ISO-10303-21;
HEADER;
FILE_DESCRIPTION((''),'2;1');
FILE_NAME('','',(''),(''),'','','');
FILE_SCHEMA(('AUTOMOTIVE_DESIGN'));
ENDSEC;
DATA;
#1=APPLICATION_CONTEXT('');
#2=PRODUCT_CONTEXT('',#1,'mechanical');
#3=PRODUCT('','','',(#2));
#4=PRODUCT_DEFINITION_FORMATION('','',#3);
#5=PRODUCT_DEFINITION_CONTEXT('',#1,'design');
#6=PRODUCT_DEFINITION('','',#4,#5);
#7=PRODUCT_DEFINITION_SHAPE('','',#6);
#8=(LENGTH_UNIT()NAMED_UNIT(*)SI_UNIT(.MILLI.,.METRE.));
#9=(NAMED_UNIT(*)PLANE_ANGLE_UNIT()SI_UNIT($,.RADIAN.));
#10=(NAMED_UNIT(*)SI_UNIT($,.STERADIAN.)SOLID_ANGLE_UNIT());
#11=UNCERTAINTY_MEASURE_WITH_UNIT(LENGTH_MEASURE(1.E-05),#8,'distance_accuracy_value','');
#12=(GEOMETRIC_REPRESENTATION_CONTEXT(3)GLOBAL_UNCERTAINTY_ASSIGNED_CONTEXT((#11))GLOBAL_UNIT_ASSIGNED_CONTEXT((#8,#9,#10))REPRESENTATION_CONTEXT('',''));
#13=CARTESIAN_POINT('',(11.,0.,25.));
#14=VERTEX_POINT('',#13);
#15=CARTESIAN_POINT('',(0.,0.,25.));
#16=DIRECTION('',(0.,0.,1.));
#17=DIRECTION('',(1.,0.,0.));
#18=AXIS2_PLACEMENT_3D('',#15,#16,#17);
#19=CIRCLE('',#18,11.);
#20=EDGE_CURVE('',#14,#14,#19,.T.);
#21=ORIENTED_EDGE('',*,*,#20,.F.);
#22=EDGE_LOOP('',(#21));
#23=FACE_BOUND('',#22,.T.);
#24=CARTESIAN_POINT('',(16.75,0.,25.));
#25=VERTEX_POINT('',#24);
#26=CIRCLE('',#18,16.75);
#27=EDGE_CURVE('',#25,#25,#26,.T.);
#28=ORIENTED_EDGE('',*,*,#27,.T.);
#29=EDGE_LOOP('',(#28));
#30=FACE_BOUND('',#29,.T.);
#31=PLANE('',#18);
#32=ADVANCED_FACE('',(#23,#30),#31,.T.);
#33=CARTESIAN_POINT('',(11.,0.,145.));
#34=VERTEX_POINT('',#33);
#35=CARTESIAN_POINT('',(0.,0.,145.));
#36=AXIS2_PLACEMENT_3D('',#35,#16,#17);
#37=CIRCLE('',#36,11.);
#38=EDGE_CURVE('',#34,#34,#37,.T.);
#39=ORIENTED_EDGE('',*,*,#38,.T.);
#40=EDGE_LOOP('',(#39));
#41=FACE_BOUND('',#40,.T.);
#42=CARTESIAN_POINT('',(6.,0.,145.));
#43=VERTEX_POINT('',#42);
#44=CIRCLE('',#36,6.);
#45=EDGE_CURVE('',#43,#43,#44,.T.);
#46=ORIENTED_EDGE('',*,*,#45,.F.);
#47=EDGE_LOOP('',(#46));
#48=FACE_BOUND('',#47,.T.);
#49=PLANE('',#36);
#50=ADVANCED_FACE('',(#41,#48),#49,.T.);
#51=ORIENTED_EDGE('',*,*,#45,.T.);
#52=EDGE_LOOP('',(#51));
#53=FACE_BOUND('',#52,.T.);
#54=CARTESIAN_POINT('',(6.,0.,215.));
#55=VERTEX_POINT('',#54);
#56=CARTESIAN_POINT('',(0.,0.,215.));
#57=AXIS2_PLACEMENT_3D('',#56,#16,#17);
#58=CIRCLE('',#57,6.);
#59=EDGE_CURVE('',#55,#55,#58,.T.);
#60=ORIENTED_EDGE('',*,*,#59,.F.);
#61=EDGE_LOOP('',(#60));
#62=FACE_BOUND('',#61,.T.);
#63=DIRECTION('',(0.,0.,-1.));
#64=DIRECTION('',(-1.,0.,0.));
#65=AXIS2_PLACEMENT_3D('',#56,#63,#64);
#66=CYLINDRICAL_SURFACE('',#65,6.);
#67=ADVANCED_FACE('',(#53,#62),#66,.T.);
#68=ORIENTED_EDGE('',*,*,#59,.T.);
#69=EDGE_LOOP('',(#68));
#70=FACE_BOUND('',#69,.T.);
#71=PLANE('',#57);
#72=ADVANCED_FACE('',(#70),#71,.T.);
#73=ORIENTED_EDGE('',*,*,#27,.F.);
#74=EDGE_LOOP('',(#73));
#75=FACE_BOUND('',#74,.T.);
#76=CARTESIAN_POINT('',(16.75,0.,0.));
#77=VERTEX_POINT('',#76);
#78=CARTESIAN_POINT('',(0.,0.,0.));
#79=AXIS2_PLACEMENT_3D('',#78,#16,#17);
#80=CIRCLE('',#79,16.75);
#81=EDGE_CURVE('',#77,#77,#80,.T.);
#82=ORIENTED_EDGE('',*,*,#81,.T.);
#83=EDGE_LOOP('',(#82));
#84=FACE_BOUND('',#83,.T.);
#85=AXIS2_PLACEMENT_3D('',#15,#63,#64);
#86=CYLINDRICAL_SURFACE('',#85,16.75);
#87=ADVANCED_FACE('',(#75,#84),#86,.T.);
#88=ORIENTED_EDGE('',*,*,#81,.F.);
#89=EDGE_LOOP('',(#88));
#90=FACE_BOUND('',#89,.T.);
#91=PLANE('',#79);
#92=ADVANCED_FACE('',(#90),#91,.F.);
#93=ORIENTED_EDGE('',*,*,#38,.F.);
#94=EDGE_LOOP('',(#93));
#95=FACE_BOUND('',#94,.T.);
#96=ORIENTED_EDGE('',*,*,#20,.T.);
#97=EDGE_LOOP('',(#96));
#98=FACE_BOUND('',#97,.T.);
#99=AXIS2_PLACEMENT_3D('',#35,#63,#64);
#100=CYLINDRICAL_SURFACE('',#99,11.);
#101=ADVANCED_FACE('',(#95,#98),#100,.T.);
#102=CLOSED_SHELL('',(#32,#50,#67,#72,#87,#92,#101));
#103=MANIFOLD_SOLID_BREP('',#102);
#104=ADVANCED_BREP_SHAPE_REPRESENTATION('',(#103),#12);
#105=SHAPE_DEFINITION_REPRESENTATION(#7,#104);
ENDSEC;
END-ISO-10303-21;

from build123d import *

# Parameters (mm, degrees)
CROQUIS1_R              = 16.75
SALIENTE_EXTRUIR1_DEPTH = 25
CROQUIS2_R              = 11
SALIENTE_EXTRUIR3_DEPTH = 120
CROQUIS3_R              = 6
SALIENTE_EXTRUIR4_DEPTH = 70


with BuildPart() as part:
    # Croquis1 → Saliente-Extruir1 (new body)
    with BuildSketch(Plane.XY):
        Circle(CROQUIS1_R)
    extrude(amount=SALIENTE_EXTRUIR1_DEPTH)

    # Croquis2 → Saliente-Extruir3 (add)
    with BuildSketch(Plane.XY.offset(25)):
        Circle(CROQUIS2_R)
    extrude(amount=SALIENTE_EXTRUIR3_DEPTH)

    # Croquis3 → Saliente-Extruir4 (add)
    with BuildSketch(Plane.XY.offset(145)):
        Circle(CROQUIS3_R)
    extrude(amount=SALIENTE_EXTRUIR4_DEPTH)


solid = part.part
